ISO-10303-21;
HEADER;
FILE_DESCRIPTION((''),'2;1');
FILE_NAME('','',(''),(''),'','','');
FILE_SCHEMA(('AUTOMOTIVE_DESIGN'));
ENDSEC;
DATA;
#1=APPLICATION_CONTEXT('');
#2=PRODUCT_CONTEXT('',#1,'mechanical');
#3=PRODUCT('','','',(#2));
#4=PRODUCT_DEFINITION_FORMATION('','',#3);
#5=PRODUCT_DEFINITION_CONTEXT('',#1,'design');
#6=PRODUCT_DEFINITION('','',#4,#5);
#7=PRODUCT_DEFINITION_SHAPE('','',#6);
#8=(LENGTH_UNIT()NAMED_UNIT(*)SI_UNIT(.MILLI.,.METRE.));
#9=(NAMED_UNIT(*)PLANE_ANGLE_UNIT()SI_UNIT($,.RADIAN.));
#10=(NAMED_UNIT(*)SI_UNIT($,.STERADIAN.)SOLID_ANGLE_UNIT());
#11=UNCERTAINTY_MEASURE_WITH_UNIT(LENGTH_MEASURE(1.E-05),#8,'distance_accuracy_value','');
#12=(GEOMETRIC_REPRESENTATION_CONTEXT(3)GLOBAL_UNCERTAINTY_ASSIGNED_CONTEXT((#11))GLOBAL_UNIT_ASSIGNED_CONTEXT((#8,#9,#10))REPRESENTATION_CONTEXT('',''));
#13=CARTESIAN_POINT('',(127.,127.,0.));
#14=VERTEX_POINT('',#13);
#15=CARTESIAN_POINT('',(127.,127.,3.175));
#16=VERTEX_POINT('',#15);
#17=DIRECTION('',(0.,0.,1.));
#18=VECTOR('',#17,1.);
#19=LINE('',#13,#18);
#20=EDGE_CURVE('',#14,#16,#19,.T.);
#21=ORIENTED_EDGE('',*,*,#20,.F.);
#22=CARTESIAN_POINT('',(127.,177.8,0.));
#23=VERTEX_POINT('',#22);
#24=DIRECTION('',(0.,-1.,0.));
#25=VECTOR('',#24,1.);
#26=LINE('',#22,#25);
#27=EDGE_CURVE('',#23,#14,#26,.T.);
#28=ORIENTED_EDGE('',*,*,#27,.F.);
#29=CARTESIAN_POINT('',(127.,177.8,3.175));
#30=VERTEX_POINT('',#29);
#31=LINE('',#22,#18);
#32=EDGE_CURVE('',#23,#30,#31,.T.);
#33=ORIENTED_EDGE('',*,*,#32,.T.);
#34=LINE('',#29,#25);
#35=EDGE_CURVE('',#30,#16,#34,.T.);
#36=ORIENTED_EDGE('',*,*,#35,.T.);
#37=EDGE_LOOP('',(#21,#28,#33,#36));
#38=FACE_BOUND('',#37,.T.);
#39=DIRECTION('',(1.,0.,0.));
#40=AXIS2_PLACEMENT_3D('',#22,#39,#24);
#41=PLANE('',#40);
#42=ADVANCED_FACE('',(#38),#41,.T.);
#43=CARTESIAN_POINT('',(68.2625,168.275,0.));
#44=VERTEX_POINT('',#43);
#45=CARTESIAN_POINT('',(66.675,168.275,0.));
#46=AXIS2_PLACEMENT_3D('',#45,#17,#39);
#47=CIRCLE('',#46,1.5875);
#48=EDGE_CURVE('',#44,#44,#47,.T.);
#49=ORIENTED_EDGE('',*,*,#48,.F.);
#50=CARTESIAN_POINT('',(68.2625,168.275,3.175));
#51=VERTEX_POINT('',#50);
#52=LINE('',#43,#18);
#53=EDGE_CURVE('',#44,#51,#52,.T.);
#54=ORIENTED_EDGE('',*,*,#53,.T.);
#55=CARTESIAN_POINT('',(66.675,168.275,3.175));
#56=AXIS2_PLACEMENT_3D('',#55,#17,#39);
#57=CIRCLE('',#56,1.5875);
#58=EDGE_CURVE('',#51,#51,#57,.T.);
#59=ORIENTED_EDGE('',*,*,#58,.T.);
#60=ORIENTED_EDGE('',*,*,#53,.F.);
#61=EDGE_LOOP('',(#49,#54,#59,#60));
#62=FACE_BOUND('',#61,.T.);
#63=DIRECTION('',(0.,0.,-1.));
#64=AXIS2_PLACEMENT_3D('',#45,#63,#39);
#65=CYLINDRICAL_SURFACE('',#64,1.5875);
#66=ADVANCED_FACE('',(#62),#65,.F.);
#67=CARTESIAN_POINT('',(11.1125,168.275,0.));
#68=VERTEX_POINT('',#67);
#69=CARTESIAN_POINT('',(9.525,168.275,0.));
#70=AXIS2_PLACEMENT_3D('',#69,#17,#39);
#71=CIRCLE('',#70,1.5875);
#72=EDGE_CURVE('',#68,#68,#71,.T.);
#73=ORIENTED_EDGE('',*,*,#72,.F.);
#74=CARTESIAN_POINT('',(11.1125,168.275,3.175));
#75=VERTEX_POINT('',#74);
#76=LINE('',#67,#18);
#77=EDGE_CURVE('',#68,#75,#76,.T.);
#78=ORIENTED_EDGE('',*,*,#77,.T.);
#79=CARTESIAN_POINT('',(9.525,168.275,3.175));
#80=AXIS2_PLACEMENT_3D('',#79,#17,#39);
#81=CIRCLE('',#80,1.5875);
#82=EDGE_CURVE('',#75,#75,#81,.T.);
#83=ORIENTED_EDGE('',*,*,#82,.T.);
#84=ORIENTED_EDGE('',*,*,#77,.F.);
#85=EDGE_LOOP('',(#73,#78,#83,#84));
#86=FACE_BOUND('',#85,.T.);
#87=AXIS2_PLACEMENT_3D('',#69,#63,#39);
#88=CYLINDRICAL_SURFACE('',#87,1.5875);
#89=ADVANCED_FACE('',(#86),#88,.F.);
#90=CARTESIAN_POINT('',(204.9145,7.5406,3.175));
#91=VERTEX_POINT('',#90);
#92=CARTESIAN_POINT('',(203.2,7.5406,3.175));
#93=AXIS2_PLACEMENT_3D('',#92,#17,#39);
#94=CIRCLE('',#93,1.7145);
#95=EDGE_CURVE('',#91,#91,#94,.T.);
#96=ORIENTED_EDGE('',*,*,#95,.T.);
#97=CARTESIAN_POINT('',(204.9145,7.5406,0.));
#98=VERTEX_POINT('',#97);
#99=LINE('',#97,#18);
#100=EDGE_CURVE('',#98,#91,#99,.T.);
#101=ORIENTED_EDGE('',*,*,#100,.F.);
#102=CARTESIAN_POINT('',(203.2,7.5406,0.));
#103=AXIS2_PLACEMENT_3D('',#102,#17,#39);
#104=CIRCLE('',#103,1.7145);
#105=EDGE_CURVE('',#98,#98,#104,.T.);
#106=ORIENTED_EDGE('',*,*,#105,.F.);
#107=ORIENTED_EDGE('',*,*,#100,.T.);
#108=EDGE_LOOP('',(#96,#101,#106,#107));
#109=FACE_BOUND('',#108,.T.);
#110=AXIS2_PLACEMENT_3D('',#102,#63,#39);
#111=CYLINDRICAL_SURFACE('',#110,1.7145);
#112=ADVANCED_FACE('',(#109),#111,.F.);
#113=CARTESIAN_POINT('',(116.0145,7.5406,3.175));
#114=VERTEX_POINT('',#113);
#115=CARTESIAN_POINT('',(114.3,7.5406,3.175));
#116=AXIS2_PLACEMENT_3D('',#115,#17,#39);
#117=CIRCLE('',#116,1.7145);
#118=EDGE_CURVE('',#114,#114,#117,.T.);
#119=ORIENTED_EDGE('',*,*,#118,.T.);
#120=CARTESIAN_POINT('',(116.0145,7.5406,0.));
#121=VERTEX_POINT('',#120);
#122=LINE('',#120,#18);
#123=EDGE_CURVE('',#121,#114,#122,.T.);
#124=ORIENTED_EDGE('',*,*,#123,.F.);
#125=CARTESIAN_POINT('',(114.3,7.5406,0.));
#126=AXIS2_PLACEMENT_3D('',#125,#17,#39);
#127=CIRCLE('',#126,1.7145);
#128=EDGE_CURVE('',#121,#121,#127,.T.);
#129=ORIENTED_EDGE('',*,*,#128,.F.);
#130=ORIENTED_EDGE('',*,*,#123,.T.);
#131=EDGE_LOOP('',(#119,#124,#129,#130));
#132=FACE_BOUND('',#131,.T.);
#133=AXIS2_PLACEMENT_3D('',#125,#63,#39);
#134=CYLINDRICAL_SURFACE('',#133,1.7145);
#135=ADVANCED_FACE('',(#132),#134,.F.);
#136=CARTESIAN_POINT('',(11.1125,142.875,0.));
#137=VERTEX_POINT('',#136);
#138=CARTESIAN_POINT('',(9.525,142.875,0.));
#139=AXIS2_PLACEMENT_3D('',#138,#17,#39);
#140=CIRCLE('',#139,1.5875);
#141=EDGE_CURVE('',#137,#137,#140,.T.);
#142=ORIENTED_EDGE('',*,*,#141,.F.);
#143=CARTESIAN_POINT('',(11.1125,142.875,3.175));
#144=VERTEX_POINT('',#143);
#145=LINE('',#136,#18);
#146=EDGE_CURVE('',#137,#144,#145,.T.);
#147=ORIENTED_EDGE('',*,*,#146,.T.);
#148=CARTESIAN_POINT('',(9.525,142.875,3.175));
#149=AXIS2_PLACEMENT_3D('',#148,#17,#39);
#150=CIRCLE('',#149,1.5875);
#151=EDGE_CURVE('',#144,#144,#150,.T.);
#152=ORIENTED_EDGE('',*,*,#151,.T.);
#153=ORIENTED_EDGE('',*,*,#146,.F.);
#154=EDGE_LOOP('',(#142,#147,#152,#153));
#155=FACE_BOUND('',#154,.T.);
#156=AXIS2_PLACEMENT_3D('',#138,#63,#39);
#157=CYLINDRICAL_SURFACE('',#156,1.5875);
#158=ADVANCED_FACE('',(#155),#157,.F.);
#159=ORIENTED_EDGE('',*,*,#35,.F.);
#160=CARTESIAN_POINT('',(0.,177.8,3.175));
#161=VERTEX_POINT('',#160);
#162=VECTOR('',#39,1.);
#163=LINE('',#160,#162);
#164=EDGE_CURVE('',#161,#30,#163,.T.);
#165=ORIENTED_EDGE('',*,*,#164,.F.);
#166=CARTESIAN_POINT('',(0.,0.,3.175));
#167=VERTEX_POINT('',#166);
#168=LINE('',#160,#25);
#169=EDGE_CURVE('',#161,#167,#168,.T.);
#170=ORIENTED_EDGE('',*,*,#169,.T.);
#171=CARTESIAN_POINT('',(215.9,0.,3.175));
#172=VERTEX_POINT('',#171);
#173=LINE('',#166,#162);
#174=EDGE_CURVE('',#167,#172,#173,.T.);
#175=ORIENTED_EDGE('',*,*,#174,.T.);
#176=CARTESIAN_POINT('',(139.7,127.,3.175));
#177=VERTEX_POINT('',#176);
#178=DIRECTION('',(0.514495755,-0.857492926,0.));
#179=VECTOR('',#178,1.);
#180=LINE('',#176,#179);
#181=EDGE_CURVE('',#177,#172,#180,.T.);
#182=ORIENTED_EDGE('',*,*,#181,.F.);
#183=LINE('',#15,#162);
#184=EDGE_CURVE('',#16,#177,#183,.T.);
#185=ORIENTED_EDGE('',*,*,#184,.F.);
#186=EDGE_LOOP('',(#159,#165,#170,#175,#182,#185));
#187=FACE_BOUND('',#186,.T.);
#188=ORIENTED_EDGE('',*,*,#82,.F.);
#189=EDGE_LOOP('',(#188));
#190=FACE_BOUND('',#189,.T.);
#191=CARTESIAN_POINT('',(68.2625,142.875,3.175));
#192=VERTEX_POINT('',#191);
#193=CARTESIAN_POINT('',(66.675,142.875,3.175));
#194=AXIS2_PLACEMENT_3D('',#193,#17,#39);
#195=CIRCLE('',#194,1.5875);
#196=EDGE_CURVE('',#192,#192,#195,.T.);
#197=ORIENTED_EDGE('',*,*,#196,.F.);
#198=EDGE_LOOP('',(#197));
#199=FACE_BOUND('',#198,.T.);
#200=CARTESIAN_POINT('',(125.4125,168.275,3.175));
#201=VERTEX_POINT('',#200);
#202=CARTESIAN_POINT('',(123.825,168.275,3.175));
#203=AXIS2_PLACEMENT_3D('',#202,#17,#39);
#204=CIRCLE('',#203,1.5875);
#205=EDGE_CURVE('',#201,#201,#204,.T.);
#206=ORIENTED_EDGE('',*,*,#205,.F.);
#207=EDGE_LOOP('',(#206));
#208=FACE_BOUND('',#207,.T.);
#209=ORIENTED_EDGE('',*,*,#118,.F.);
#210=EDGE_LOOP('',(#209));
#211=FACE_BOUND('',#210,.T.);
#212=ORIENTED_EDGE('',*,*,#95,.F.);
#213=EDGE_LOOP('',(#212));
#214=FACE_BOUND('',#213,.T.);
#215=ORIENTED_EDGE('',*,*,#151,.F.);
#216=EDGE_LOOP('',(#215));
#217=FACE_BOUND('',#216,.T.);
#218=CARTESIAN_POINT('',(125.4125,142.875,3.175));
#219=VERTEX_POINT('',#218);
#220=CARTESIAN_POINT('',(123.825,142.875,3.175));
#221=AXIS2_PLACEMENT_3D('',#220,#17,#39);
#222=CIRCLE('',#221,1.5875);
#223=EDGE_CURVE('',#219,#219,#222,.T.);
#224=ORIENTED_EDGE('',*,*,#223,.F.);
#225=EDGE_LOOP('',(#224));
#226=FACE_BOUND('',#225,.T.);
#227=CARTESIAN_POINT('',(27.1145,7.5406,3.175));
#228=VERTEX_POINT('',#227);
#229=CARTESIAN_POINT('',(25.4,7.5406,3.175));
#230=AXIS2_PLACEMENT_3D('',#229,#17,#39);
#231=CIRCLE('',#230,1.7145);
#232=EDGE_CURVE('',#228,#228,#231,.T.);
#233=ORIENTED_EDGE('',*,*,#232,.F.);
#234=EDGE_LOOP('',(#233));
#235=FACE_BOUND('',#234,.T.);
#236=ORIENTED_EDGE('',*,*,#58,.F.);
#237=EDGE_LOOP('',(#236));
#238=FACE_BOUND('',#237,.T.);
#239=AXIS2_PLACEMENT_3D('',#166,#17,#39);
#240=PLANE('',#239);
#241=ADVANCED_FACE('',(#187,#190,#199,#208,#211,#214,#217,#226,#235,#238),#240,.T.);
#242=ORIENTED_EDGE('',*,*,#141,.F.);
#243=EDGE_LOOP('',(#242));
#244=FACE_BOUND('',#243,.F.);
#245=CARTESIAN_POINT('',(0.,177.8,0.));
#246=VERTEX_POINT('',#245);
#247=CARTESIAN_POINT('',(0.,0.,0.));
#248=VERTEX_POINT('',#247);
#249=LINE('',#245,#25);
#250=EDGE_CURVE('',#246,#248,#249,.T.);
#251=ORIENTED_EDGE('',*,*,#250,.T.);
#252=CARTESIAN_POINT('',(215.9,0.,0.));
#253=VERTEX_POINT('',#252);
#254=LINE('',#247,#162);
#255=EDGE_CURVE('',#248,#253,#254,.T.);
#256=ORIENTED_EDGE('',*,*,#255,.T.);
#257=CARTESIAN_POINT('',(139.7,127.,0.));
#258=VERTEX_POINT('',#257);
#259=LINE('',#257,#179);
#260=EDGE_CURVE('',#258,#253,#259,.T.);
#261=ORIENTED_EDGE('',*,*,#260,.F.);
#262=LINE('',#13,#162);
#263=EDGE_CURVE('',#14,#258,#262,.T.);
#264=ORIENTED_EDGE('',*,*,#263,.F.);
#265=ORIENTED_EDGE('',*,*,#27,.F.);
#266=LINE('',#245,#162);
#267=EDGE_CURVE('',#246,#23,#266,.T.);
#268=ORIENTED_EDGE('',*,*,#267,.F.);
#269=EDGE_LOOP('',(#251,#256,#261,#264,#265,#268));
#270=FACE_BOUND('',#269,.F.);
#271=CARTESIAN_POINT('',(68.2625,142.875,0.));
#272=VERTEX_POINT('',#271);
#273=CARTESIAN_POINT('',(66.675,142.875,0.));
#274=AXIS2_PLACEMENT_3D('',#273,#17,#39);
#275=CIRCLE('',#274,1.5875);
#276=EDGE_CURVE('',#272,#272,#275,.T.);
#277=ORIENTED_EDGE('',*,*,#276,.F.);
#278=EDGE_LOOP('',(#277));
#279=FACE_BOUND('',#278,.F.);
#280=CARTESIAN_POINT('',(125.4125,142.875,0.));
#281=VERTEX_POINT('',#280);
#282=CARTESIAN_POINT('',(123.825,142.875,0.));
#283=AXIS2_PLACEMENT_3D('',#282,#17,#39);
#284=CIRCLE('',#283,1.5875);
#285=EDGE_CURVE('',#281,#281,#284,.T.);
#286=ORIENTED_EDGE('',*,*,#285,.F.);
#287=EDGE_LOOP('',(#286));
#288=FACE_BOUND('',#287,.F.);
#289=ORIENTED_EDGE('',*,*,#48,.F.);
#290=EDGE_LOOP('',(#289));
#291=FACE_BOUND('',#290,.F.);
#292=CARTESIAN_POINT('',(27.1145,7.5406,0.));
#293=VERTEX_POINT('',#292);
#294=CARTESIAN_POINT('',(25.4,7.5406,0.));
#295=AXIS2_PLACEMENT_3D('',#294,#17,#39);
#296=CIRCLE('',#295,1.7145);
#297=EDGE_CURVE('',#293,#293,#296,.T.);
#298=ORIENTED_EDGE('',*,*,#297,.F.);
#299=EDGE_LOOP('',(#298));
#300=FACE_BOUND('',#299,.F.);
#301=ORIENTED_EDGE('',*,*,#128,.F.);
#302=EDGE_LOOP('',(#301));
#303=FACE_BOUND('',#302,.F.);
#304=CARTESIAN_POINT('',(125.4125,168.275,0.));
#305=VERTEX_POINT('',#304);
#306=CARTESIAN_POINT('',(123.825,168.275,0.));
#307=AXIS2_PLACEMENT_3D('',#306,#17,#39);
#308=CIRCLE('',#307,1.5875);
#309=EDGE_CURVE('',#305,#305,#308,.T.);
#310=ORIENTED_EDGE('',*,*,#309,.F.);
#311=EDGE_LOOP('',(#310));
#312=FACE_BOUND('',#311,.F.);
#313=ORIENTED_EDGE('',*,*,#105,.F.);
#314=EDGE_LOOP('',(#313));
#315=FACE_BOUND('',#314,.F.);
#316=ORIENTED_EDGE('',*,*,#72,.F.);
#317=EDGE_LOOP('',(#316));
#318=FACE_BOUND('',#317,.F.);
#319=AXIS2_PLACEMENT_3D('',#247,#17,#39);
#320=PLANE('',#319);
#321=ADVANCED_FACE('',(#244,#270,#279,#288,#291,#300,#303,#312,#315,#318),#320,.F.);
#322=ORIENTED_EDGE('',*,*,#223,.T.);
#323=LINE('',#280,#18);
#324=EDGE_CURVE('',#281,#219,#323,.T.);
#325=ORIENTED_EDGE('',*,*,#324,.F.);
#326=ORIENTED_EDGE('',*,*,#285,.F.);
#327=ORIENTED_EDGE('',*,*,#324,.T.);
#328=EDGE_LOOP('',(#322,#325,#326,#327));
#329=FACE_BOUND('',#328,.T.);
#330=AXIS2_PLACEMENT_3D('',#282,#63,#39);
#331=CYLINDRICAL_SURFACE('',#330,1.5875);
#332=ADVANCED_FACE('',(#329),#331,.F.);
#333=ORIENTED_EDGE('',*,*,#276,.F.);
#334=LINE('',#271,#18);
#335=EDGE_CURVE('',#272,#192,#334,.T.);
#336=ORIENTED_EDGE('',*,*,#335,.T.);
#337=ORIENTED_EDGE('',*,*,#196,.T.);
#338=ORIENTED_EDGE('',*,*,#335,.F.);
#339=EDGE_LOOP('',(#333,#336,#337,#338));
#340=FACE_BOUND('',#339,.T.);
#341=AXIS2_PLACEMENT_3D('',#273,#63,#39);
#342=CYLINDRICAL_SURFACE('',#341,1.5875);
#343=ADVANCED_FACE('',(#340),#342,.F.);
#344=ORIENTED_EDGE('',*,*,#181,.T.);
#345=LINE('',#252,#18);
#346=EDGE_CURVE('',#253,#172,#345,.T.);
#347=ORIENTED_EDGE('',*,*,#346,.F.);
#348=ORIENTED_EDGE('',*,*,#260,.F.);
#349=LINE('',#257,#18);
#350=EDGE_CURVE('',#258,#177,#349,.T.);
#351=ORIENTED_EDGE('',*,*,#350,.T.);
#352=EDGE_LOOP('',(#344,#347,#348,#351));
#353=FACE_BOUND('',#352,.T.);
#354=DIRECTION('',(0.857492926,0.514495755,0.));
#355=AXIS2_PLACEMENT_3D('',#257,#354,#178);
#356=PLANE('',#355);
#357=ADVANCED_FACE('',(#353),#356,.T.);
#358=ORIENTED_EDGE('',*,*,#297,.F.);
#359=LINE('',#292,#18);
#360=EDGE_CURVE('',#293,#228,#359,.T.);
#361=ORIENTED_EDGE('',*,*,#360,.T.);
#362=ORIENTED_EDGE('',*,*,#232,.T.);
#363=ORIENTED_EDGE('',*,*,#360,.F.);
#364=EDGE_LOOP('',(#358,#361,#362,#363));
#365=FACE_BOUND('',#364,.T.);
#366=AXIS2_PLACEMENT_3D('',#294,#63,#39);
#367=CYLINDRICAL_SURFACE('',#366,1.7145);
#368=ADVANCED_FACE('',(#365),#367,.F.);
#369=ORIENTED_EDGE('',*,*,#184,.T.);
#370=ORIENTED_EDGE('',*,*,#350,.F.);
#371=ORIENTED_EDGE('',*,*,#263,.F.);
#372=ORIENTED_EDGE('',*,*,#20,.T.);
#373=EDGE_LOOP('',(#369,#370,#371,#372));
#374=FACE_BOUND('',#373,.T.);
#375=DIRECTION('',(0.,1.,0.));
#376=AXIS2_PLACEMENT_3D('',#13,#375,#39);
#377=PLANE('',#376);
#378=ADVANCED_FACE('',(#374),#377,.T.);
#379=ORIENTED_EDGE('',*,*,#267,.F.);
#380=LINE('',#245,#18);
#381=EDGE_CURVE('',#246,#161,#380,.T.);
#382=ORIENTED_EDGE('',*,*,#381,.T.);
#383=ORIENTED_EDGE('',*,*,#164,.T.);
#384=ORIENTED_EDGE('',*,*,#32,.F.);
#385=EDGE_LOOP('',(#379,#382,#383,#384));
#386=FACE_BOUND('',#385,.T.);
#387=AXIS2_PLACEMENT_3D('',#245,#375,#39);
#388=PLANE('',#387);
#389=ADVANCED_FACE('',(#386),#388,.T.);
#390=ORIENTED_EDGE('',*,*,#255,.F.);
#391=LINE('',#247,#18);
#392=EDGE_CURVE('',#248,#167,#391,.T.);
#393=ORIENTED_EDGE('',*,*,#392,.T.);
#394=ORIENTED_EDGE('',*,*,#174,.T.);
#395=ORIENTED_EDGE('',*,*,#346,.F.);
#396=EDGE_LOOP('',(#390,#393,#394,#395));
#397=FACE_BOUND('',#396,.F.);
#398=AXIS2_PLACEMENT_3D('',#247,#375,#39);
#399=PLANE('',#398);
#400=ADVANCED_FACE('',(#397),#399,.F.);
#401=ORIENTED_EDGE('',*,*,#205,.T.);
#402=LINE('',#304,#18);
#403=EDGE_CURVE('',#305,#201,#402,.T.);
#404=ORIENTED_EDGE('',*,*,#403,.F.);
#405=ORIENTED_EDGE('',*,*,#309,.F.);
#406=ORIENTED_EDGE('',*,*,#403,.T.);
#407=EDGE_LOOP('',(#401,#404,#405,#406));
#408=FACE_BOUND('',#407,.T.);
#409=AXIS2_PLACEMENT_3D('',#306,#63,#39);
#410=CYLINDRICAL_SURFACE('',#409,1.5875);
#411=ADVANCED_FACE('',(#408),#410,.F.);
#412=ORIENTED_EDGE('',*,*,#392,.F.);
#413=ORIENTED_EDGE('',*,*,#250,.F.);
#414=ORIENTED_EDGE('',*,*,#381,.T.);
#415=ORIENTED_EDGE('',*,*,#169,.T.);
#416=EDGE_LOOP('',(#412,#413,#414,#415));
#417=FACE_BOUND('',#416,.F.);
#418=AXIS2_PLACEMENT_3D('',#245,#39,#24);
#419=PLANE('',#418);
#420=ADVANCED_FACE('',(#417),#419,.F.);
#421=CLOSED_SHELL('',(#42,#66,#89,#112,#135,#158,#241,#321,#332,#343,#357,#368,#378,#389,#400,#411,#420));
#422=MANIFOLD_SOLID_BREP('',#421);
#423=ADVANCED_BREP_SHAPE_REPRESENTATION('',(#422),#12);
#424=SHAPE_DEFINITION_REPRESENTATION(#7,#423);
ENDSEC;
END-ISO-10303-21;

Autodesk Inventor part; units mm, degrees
ref_plane "YZ Plane" through (0, 0, 0) normal (1, 0, 0) x (0, 1, 0)
ref_plane "XZ Plane" through (0, 0, 0) normal (0, 1, 0) x (-1, 0, 0)
ref_plane "XY Plane" through (0, 0, 0) normal (0, 0, 1) x (1, 0, 0)
sketch "Sketch1" plane through (0, 0, 0) normal (0, 0, 1) x (1, 0, 0)
  line L0 (0, 177.8) -> (0, 0)
  line L1 (0, 0) -> (215.9, 0)
  line L2 (0, 177.8) -> (127, 177.8)
  line L3 (127, 177.8) -> (127, 127)
  circle A0 centre (9.525, 168.275) radius 1.5875
  circle A1 centre (66.675, 168.275) radius 1.5875
  circle A2 centre (123.825, 168.275) radius 1.5875
  circle A3 centre (9.525, 142.875) radius 1.5875
  circle A4 centre (66.675, 142.875) radius 1.5875
  circle A5 centre (123.825, 142.875) radius 1.5875
  line L4 (127, 127) -> (139.7, 127)
  line L5 (139.7, 127) -> (215.9, 0)
  circle A6 centre (114.3, 7.5406) radius 1.7145 projected
  circle A7 centre (25.4, 7.5406) radius 1.7145 projected
  circle A8 centre (203.2, 7.5406) radius 1.7145 projected
  line L6 (0, -0.7937) -> (0, 15.0812) construction
  line L7 (0, -0.7937) -> (215.9, -0.7938) construction
  line L8 (215.9, 15.0812) -> (215.9, -0.7938) construction
  line L9 (0, 15.0812) -> (215.9, 15.0812) construction
  dimension "d0" = 177.8
  dimension "d1" = 215.9
  dimension "d2" = 127
  dimension "d3" = 50.8
  dimension "d7" = 3.175
  dimension "d10" = 57.15
  dimension "d13" = 25.4
  dimension "d16" = 9.525
  dimension "d17" = 9.525
  dimension "d18" = 12.7
extrude "Extrusion1" add sketch "Sketch1" along normal blind 3.175
properties part number "Hopper Right Side Leg" material "Polycarbonate, Clear"
